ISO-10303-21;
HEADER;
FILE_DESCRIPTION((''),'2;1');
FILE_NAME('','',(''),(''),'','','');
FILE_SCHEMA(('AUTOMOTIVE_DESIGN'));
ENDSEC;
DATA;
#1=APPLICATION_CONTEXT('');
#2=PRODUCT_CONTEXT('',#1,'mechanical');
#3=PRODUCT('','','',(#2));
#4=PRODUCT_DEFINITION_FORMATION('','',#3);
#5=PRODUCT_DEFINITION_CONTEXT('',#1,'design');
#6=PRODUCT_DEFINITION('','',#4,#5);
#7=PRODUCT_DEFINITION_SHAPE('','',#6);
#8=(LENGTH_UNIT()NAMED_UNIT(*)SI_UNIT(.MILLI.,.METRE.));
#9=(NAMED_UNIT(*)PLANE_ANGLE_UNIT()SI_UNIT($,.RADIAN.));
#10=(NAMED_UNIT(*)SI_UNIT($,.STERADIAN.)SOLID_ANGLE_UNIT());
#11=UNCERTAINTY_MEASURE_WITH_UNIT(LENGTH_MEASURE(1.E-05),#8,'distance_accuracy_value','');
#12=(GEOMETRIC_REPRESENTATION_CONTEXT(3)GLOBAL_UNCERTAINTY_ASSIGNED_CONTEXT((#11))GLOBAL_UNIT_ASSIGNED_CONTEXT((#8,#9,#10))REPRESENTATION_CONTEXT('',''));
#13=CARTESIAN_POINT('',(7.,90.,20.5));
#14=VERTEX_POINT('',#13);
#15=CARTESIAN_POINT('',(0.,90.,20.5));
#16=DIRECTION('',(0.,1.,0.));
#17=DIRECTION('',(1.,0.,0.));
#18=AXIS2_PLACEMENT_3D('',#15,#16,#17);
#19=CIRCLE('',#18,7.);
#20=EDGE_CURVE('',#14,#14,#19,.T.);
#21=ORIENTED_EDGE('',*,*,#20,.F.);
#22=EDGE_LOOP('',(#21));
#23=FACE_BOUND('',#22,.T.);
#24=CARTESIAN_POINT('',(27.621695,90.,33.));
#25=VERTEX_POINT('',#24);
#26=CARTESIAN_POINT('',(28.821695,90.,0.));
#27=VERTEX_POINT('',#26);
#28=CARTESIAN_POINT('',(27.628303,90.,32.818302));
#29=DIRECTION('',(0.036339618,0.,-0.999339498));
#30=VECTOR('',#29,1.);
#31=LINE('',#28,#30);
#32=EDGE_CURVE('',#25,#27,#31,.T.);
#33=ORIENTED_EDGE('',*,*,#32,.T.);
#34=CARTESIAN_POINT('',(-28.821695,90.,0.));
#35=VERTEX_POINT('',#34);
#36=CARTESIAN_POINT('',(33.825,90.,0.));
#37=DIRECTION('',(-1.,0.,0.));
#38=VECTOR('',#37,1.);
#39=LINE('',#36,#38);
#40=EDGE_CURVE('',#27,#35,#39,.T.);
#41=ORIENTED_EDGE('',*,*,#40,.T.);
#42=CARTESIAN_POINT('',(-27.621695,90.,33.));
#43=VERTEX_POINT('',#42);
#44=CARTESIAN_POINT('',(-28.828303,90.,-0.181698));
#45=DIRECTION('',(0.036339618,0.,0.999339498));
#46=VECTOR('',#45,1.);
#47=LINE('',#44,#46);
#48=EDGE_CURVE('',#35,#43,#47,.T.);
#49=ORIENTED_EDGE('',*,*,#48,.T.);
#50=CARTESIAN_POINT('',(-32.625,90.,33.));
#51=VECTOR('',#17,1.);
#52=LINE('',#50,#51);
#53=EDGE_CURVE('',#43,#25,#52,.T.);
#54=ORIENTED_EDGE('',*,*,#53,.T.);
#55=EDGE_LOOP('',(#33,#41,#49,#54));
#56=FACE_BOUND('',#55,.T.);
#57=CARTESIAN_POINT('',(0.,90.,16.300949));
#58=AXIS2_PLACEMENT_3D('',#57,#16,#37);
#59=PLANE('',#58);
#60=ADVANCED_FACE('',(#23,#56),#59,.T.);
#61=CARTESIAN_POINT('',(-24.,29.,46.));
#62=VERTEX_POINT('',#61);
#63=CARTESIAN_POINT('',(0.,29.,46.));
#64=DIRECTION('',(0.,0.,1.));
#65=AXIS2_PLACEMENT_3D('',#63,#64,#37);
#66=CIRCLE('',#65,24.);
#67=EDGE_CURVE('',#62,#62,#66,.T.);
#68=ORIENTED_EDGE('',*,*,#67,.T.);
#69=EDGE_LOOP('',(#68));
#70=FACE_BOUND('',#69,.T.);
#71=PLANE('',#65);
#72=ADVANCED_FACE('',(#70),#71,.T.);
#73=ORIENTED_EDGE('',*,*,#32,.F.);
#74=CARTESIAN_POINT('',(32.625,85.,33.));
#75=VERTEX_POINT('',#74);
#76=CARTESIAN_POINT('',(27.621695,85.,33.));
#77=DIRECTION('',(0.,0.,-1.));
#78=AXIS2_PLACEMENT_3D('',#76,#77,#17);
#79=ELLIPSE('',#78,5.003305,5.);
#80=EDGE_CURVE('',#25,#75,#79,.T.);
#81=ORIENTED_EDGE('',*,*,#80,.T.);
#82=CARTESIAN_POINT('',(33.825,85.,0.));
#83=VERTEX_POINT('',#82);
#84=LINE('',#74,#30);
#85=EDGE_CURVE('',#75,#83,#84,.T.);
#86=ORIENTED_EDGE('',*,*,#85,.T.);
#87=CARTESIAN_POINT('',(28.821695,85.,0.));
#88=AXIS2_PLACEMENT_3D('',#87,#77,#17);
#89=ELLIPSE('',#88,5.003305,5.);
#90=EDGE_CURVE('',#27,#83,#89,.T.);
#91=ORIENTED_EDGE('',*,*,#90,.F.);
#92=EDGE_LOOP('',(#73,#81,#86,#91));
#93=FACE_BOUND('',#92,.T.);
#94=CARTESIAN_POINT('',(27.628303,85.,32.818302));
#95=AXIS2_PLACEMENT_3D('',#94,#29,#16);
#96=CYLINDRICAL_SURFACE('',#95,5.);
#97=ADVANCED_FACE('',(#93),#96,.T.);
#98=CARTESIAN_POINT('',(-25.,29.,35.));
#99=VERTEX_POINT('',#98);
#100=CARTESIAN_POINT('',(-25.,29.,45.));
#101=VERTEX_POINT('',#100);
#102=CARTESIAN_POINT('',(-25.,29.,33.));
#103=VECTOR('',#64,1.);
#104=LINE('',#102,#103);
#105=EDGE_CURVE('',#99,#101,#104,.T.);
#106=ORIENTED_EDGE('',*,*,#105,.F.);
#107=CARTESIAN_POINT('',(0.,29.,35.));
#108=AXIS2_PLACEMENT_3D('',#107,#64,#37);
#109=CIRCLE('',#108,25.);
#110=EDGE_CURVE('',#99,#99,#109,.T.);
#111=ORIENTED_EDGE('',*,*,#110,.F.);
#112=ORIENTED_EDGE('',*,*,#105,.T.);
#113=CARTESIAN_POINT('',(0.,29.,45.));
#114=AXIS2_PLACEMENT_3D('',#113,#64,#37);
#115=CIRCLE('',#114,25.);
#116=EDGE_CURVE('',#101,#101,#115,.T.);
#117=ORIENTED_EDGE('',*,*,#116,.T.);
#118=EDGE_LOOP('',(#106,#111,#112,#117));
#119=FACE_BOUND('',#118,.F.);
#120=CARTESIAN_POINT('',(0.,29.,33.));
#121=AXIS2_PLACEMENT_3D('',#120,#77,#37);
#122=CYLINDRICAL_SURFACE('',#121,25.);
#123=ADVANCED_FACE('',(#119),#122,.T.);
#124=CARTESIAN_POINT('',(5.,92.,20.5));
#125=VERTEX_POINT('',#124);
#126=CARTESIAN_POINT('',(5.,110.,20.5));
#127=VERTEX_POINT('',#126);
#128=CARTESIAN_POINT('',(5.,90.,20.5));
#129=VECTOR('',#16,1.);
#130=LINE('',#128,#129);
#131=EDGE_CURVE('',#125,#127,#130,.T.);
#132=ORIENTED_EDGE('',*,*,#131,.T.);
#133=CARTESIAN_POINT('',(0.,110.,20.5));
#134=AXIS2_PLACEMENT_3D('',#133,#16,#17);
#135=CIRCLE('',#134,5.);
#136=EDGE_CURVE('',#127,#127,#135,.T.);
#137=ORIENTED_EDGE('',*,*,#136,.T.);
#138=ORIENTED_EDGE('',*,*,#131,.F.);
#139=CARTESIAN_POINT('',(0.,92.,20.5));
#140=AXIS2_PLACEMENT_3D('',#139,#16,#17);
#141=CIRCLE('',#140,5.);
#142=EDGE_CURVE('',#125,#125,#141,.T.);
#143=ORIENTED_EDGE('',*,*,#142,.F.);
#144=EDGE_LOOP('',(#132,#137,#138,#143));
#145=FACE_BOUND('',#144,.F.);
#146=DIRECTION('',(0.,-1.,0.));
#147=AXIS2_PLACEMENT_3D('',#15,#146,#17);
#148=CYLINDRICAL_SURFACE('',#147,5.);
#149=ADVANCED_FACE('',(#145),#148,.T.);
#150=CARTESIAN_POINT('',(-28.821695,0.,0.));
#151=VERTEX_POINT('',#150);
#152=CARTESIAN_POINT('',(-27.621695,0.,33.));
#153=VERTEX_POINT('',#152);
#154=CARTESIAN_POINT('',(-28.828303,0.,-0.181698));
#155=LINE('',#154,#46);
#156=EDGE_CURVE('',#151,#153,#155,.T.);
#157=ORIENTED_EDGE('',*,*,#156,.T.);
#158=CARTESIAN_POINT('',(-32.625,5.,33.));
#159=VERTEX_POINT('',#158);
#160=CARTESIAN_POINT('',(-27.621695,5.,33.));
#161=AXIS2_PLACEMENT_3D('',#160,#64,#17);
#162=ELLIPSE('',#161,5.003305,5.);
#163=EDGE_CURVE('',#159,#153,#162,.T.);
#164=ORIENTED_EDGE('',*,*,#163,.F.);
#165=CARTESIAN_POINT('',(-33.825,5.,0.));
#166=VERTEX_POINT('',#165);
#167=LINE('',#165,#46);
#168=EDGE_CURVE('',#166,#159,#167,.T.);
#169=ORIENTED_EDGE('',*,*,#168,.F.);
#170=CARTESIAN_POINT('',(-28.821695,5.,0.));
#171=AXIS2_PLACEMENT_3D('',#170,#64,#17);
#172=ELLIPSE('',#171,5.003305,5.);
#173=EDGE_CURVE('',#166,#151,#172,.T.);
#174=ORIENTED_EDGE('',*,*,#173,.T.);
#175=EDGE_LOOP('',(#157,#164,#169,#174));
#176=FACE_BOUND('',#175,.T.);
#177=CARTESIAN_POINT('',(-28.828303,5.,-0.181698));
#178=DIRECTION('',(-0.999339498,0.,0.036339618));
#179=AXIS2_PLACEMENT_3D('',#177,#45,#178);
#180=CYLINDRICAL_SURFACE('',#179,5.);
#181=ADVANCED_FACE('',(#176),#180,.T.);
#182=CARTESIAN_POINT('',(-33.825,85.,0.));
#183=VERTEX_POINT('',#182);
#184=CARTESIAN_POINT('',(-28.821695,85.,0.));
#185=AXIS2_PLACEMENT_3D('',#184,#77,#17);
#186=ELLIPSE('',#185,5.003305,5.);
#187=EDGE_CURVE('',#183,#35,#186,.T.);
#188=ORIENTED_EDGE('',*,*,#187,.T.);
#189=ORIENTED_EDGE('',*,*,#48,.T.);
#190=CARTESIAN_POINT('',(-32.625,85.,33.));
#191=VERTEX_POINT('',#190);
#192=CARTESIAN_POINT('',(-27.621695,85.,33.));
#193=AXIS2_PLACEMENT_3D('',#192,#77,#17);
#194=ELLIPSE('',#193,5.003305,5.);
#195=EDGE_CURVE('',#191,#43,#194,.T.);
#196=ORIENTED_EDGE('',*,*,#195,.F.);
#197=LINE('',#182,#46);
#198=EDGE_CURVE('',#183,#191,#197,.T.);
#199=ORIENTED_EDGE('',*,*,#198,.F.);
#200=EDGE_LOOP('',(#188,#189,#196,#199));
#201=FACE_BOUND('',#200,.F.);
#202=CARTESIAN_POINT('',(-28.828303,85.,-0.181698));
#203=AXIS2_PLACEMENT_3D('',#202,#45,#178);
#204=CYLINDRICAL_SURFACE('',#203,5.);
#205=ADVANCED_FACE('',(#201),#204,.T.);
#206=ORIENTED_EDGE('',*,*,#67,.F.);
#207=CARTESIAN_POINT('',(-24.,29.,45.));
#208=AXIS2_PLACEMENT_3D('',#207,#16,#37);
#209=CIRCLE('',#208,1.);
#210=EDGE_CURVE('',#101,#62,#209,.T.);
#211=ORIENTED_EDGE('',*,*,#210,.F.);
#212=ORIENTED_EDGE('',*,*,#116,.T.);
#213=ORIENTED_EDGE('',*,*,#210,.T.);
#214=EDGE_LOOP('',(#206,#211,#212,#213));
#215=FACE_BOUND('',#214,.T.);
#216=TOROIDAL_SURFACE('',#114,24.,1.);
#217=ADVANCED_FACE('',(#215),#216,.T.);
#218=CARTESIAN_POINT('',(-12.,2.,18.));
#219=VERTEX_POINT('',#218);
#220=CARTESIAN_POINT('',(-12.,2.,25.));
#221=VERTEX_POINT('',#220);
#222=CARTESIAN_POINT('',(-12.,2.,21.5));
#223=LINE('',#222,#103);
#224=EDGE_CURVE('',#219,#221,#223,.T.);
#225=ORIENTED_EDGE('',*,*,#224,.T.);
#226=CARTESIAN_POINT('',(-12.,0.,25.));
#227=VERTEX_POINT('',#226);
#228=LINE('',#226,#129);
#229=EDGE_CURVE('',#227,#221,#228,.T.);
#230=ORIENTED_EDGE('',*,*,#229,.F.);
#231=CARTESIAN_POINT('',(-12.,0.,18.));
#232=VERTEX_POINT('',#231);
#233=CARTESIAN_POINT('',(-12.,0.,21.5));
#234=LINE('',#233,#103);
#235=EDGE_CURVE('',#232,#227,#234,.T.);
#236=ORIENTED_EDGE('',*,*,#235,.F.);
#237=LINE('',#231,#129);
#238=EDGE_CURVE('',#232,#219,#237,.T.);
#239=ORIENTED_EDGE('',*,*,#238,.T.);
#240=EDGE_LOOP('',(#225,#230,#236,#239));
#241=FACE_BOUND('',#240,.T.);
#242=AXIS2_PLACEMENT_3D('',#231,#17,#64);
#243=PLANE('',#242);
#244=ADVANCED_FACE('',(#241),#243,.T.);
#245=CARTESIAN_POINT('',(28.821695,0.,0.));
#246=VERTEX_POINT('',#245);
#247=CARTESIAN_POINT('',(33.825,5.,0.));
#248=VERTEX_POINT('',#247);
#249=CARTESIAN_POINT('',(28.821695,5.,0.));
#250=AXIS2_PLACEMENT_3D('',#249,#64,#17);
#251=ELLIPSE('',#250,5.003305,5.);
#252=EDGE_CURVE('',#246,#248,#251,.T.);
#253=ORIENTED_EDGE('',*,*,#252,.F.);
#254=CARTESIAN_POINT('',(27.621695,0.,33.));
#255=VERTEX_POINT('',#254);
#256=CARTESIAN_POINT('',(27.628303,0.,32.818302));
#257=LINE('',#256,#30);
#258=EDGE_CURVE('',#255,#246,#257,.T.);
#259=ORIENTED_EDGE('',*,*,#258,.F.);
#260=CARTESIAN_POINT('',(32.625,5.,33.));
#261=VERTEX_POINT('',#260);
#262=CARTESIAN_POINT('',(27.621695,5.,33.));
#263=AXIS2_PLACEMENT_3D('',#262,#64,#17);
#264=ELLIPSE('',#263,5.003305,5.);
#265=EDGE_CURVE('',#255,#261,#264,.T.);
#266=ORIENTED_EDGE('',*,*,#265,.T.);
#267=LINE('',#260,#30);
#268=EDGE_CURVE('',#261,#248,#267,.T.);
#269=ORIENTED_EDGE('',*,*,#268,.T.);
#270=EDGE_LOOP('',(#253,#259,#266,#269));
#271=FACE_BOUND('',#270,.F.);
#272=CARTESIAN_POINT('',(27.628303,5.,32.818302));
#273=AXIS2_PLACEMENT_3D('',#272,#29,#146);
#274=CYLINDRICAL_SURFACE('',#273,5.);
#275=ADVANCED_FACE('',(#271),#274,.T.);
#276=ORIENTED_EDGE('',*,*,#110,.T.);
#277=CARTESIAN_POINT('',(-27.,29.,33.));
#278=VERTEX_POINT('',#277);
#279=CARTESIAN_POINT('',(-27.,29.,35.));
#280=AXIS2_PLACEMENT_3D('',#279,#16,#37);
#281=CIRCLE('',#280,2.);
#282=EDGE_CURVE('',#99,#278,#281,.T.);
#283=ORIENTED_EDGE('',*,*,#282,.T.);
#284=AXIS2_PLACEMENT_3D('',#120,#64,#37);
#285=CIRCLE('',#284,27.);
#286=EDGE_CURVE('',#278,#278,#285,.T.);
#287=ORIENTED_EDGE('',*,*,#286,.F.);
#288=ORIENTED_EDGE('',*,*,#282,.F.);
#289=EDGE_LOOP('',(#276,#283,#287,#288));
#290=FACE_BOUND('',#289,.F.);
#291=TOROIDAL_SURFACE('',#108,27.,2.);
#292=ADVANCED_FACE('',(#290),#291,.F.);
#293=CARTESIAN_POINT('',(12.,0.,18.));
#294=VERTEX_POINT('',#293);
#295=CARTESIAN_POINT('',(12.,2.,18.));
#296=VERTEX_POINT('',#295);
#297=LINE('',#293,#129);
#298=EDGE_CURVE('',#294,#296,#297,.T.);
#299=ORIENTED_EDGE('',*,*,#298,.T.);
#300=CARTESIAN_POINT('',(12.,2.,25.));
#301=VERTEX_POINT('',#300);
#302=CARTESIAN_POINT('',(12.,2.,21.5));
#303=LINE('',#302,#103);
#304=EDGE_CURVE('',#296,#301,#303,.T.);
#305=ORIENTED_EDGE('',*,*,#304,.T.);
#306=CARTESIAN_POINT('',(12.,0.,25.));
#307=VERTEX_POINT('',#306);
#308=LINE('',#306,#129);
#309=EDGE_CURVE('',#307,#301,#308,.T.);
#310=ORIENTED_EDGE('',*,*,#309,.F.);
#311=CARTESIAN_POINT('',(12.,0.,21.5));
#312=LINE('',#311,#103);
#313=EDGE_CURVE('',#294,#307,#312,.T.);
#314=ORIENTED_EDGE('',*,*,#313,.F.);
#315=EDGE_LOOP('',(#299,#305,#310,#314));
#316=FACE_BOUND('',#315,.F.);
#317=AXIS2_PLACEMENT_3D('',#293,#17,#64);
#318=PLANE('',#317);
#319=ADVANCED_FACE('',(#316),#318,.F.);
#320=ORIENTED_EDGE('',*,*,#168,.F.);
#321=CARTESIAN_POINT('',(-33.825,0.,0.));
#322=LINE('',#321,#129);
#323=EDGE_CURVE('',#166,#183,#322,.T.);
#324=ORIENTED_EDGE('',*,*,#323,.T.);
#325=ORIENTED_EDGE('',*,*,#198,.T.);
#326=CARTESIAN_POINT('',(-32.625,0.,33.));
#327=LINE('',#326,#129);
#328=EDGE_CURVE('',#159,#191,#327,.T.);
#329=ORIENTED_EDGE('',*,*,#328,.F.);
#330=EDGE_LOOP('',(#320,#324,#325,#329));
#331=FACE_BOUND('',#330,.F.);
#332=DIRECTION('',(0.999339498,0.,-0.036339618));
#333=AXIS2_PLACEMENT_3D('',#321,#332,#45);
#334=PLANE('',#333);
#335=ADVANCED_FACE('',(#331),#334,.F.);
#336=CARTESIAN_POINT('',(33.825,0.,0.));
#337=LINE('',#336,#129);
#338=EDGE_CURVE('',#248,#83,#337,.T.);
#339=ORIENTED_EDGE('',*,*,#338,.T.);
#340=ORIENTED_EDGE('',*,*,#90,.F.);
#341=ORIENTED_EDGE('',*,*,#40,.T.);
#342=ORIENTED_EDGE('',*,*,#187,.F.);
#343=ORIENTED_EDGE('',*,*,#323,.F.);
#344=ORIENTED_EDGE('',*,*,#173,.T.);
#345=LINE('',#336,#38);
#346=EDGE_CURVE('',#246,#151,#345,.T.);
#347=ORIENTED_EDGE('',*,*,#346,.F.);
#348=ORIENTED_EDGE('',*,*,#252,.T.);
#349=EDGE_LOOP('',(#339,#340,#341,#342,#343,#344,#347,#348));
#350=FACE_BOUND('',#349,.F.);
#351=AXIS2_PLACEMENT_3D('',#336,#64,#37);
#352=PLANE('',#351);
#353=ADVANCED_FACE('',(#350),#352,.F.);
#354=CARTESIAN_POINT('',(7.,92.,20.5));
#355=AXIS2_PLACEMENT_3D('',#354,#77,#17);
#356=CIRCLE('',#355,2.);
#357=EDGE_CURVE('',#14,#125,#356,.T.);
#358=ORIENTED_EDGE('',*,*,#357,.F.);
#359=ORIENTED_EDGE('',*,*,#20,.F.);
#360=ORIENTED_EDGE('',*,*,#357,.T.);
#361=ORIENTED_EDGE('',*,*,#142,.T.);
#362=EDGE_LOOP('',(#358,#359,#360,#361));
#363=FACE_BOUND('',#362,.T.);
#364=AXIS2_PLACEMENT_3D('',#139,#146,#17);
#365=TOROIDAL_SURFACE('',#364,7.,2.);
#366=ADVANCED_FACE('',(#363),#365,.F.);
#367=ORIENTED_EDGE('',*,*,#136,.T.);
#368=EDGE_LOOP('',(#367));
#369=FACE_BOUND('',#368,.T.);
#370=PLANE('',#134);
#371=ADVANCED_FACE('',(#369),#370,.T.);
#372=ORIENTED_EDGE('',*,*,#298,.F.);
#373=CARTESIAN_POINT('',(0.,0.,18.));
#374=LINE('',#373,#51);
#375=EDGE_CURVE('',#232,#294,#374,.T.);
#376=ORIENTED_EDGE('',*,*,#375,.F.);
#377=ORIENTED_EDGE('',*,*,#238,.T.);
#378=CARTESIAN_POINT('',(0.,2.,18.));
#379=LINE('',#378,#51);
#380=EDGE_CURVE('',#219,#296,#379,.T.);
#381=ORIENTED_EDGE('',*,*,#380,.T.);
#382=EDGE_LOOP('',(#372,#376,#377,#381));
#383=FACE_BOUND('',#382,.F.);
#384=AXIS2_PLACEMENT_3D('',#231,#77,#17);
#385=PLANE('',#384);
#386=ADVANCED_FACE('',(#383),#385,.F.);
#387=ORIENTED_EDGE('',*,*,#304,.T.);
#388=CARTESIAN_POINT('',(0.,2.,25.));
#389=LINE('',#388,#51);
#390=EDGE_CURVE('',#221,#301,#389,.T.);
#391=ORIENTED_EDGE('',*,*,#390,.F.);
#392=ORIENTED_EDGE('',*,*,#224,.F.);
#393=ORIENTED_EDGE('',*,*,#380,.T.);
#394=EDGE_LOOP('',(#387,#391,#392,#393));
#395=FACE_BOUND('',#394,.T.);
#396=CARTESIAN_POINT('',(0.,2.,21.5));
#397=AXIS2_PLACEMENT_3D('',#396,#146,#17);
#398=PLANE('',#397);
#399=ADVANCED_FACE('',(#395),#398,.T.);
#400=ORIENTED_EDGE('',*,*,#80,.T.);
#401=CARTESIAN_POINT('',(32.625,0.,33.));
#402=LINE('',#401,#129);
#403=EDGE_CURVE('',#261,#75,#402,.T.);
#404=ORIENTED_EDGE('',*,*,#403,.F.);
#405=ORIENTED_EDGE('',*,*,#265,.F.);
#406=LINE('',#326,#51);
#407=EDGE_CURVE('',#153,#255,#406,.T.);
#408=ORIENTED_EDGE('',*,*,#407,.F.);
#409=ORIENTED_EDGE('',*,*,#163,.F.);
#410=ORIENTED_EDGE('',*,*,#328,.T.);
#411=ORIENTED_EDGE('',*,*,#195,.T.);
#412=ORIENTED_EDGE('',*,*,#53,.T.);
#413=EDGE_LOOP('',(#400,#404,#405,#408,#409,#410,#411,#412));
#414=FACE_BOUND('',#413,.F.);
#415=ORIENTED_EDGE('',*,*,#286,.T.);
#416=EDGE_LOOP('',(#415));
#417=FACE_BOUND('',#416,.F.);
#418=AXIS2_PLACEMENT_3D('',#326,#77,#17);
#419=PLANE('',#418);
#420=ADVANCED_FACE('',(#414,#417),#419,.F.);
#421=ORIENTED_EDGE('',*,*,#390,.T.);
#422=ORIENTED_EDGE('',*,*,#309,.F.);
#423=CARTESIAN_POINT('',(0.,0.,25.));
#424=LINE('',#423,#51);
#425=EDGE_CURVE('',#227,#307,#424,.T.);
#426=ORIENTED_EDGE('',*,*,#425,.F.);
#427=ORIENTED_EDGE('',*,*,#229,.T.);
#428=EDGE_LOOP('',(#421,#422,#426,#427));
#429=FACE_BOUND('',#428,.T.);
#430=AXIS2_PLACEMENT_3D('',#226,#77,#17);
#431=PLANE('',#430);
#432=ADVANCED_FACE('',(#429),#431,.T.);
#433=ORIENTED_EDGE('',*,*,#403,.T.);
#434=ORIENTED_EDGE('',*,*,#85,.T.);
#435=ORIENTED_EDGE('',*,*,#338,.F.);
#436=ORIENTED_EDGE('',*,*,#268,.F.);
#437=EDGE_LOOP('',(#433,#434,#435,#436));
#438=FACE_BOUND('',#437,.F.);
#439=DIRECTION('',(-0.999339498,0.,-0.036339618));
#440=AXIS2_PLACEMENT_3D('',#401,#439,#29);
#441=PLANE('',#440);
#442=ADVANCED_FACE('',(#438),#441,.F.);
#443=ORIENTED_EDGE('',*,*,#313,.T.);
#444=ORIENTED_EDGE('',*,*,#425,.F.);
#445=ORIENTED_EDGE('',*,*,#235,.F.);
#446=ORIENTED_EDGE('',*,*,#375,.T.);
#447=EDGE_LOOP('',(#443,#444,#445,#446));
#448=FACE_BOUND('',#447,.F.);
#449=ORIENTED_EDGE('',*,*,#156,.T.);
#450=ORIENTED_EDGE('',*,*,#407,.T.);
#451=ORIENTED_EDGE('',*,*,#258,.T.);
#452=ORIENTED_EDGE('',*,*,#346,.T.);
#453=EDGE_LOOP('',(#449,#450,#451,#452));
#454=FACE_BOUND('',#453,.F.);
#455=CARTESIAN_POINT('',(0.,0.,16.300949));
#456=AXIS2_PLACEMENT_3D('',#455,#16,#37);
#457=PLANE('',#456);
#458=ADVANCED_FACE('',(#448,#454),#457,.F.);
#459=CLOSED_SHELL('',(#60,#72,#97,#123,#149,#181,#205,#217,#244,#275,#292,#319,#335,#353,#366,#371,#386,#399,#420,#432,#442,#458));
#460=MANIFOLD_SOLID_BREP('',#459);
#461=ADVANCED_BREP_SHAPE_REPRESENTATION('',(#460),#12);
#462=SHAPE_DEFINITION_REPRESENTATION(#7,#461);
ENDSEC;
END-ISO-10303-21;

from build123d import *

# Parameters (mm, degrees)
PAD_DEPTH    = 90
SKETCH001_W  = 24
SKETCH001_H  = 7
POCKET_DEPTH = 2
SKETCH002_R  = 25
PAD001_DEPTH = 13
FILLET_R     = 1
FILLET001_R  = 2
FILLET002_R  = 5
SKETCH003_R  = 5
PAD002_DEPTH = 20
FILLET003_R  = 2


with BuildPart() as part:
    # Sketch → Pad (new body)
    with BuildSketch(Plane.XZ):
        Polygon((-32.625, 33), (32.625, 33), (33.825, 0), (-33.825, 0), align=None)
    extrude(amount=-PAD_DEPTH)

    # Sketch001 (on Face5 of Pad) → Pocket (cut)
    with BuildSketch(Plane.XZ):
        with Locations((0, 21.5)):
            Rectangle(SKETCH001_W, SKETCH001_H)
    extrude(amount=-POCKET_DEPTH, mode=Mode.SUBTRACT)

    # Sketch002 (on Face1 of Pocket) → Pad001 (join)
    with BuildSketch(Plane(origin=(0, 0, 33), x_dir=(-1, 0, 0), z_dir=(0, 0, 1))):
        with Locations((0, -29)):
            Circle(SKETCH002_R)
    extrude(amount=PAD001_DEPTH)

    # Fillet
    fillet_edges = [part.edges().sort_by_distance(p)[0] for p in [
        (25, 29, 46),
    ]]
    fillet(fillet_edges, radius=FILLET_R)

    # Fillet001
    fillet001_edges = [part.edges().sort_by_distance(p)[0] for p in [
        (25, 29, 33),
    ]]
    fillet(fillet001_edges, radius=FILLET001_R)

    # Fillet002
    fillet002_edges = [part.edges().sort_by_distance(p)[0] for p in [
        (33.225, 0, 16.5),
        (33.225, 90, 16.5),
        (-33.225, 0, 16.5),
        (-33.225, 90, 16.5),
    ]]
    fillet(fillet002_edges, radius=FILLET002_R)

    # Sketch003 (on Face6 of Fillet002) → Pad002 (join)
    with BuildSketch(Plane(origin=(0, 90, 0), x_dir=(1, 0, 0), z_dir=(0, 1, 0))):
        with Locations((0, -20.5)):
            Circle(SKETCH003_R)
    extrude(amount=PAD002_DEPTH)

    # Fillet003
    fillet003_edges = [part.edges().sort_by_distance(p)[0] for p in [
        (-5, 90, 20.5),
    ]]
    fillet(fillet003_edges, radius=FILLET003_R)


solid = part.part
